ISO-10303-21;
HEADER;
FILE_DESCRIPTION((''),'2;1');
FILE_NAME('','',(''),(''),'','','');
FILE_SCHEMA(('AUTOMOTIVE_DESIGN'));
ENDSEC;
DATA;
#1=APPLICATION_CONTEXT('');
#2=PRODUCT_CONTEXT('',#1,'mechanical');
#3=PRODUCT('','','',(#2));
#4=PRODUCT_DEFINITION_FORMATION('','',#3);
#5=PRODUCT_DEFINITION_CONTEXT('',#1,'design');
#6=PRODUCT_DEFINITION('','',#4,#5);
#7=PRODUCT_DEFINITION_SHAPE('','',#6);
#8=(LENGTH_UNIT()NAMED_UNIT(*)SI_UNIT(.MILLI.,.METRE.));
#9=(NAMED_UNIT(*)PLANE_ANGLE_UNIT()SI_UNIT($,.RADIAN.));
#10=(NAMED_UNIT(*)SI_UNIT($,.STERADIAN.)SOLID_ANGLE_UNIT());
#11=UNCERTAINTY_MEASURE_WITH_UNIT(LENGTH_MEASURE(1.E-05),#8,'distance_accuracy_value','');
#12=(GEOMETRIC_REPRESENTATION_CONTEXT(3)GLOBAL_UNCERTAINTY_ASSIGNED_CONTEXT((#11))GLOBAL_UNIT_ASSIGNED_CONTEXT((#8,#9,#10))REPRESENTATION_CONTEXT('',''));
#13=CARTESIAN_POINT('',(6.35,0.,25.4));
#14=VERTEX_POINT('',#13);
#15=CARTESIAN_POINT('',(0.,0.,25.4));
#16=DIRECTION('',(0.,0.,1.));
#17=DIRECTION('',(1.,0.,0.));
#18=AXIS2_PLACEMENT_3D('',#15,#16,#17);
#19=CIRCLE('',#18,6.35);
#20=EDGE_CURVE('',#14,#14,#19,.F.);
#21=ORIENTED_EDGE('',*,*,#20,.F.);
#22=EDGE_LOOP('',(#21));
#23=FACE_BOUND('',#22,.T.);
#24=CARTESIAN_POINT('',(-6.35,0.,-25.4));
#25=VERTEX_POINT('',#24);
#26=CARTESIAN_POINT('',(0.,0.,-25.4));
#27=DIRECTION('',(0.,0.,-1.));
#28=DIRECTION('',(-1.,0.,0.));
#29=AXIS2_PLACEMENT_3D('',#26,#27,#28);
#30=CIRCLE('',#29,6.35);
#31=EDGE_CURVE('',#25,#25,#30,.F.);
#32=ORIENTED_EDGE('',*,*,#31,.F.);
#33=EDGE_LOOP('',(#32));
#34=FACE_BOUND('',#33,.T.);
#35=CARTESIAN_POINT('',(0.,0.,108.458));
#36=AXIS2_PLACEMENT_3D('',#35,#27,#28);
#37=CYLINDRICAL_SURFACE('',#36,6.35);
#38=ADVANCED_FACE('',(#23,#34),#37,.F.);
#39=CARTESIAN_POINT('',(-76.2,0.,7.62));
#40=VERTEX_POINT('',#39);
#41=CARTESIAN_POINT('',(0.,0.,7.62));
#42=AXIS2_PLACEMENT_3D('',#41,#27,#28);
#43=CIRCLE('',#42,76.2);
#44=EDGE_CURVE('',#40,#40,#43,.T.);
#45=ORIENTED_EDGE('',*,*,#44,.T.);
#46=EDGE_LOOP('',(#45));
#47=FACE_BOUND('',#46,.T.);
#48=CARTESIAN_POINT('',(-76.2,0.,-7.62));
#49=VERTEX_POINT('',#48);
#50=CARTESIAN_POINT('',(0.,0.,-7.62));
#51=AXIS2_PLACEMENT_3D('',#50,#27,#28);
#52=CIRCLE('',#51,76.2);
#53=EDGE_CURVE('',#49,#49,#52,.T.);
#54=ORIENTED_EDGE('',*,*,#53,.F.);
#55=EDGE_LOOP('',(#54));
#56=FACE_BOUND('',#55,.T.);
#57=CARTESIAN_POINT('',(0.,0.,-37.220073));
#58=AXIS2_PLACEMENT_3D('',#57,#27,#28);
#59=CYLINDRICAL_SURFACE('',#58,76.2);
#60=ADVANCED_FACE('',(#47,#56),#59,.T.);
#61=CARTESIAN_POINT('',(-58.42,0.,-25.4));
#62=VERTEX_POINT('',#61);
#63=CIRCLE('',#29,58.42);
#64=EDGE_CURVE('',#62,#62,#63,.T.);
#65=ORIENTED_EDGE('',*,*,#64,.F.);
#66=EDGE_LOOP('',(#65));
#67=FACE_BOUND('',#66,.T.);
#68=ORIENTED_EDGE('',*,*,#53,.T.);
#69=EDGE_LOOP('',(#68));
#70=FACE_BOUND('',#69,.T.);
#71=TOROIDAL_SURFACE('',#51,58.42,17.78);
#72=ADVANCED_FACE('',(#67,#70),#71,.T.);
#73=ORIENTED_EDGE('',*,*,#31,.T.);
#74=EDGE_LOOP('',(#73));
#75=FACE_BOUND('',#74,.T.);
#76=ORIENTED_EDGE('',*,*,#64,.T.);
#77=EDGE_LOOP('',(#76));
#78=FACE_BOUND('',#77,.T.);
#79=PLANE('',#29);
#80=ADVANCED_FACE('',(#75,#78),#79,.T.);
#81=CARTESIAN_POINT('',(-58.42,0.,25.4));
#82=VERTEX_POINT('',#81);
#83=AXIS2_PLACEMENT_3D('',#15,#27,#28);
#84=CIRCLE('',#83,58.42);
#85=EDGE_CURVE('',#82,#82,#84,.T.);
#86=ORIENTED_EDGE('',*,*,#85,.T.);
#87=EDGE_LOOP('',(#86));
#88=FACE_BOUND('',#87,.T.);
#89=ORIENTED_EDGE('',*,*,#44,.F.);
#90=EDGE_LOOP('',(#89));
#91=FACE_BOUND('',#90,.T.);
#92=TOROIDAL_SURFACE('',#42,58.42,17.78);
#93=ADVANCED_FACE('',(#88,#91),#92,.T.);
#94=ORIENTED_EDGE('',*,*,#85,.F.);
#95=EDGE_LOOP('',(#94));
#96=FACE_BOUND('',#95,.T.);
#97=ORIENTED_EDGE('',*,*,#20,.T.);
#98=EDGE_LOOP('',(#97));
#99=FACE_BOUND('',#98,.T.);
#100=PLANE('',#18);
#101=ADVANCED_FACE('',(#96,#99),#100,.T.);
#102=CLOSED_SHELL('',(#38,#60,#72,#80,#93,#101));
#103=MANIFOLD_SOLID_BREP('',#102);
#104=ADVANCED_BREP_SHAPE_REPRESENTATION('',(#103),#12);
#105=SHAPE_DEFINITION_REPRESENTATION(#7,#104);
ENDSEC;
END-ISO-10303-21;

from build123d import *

# Parameters (mm, degrees)
SKETCH2_R               = 6.35
CUT_EXTRUDE1_DEPTH      = 108.458
CUT_EXTRUDE1_DEPTH_BACK = 134.62


with BuildPart() as part:
    # Sketch1 → Revolve2 (revolve)
    with BuildSketch(Plane(origin=(0, 0, 0), x_dir=(0, 0, -1), z_dir=(1, 0, 0))):
        with BuildLine():
            Line((-25.4, 0), (-25.4, 58.42))
            ThreePointArc((-25.4, 58.42), (-20.192358569, 70.992358569), (-7.62, 76.2))
            Line((-7.62, 76.2), (7.62, 76.2))
            ThreePointArc((7.62, 76.2), (20.192358569, 70.992358569), (25.4, 58.42))
            Line((25.4, 58.42), (25.4, 0))
            Line((25.4, 0), (-25.4, 0))
        make_face()
    revolve(axis=Axis((0, 0, -37.220072608), (0, 0, 1)))

    # Sketch2 → Cut-Extrude1 (cut, two sides)
    with BuildSketch(Plane.XY) as cut_extrude1_sk:
        Circle(SKETCH2_R)
    extrude(amount=CUT_EXTRUDE1_DEPTH, mode=Mode.SUBTRACT)
    extrude(cut_extrude1_sk.sketch, amount=-CUT_EXTRUDE1_DEPTH_BACK, mode=Mode.SUBTRACT)


solid = part.part
